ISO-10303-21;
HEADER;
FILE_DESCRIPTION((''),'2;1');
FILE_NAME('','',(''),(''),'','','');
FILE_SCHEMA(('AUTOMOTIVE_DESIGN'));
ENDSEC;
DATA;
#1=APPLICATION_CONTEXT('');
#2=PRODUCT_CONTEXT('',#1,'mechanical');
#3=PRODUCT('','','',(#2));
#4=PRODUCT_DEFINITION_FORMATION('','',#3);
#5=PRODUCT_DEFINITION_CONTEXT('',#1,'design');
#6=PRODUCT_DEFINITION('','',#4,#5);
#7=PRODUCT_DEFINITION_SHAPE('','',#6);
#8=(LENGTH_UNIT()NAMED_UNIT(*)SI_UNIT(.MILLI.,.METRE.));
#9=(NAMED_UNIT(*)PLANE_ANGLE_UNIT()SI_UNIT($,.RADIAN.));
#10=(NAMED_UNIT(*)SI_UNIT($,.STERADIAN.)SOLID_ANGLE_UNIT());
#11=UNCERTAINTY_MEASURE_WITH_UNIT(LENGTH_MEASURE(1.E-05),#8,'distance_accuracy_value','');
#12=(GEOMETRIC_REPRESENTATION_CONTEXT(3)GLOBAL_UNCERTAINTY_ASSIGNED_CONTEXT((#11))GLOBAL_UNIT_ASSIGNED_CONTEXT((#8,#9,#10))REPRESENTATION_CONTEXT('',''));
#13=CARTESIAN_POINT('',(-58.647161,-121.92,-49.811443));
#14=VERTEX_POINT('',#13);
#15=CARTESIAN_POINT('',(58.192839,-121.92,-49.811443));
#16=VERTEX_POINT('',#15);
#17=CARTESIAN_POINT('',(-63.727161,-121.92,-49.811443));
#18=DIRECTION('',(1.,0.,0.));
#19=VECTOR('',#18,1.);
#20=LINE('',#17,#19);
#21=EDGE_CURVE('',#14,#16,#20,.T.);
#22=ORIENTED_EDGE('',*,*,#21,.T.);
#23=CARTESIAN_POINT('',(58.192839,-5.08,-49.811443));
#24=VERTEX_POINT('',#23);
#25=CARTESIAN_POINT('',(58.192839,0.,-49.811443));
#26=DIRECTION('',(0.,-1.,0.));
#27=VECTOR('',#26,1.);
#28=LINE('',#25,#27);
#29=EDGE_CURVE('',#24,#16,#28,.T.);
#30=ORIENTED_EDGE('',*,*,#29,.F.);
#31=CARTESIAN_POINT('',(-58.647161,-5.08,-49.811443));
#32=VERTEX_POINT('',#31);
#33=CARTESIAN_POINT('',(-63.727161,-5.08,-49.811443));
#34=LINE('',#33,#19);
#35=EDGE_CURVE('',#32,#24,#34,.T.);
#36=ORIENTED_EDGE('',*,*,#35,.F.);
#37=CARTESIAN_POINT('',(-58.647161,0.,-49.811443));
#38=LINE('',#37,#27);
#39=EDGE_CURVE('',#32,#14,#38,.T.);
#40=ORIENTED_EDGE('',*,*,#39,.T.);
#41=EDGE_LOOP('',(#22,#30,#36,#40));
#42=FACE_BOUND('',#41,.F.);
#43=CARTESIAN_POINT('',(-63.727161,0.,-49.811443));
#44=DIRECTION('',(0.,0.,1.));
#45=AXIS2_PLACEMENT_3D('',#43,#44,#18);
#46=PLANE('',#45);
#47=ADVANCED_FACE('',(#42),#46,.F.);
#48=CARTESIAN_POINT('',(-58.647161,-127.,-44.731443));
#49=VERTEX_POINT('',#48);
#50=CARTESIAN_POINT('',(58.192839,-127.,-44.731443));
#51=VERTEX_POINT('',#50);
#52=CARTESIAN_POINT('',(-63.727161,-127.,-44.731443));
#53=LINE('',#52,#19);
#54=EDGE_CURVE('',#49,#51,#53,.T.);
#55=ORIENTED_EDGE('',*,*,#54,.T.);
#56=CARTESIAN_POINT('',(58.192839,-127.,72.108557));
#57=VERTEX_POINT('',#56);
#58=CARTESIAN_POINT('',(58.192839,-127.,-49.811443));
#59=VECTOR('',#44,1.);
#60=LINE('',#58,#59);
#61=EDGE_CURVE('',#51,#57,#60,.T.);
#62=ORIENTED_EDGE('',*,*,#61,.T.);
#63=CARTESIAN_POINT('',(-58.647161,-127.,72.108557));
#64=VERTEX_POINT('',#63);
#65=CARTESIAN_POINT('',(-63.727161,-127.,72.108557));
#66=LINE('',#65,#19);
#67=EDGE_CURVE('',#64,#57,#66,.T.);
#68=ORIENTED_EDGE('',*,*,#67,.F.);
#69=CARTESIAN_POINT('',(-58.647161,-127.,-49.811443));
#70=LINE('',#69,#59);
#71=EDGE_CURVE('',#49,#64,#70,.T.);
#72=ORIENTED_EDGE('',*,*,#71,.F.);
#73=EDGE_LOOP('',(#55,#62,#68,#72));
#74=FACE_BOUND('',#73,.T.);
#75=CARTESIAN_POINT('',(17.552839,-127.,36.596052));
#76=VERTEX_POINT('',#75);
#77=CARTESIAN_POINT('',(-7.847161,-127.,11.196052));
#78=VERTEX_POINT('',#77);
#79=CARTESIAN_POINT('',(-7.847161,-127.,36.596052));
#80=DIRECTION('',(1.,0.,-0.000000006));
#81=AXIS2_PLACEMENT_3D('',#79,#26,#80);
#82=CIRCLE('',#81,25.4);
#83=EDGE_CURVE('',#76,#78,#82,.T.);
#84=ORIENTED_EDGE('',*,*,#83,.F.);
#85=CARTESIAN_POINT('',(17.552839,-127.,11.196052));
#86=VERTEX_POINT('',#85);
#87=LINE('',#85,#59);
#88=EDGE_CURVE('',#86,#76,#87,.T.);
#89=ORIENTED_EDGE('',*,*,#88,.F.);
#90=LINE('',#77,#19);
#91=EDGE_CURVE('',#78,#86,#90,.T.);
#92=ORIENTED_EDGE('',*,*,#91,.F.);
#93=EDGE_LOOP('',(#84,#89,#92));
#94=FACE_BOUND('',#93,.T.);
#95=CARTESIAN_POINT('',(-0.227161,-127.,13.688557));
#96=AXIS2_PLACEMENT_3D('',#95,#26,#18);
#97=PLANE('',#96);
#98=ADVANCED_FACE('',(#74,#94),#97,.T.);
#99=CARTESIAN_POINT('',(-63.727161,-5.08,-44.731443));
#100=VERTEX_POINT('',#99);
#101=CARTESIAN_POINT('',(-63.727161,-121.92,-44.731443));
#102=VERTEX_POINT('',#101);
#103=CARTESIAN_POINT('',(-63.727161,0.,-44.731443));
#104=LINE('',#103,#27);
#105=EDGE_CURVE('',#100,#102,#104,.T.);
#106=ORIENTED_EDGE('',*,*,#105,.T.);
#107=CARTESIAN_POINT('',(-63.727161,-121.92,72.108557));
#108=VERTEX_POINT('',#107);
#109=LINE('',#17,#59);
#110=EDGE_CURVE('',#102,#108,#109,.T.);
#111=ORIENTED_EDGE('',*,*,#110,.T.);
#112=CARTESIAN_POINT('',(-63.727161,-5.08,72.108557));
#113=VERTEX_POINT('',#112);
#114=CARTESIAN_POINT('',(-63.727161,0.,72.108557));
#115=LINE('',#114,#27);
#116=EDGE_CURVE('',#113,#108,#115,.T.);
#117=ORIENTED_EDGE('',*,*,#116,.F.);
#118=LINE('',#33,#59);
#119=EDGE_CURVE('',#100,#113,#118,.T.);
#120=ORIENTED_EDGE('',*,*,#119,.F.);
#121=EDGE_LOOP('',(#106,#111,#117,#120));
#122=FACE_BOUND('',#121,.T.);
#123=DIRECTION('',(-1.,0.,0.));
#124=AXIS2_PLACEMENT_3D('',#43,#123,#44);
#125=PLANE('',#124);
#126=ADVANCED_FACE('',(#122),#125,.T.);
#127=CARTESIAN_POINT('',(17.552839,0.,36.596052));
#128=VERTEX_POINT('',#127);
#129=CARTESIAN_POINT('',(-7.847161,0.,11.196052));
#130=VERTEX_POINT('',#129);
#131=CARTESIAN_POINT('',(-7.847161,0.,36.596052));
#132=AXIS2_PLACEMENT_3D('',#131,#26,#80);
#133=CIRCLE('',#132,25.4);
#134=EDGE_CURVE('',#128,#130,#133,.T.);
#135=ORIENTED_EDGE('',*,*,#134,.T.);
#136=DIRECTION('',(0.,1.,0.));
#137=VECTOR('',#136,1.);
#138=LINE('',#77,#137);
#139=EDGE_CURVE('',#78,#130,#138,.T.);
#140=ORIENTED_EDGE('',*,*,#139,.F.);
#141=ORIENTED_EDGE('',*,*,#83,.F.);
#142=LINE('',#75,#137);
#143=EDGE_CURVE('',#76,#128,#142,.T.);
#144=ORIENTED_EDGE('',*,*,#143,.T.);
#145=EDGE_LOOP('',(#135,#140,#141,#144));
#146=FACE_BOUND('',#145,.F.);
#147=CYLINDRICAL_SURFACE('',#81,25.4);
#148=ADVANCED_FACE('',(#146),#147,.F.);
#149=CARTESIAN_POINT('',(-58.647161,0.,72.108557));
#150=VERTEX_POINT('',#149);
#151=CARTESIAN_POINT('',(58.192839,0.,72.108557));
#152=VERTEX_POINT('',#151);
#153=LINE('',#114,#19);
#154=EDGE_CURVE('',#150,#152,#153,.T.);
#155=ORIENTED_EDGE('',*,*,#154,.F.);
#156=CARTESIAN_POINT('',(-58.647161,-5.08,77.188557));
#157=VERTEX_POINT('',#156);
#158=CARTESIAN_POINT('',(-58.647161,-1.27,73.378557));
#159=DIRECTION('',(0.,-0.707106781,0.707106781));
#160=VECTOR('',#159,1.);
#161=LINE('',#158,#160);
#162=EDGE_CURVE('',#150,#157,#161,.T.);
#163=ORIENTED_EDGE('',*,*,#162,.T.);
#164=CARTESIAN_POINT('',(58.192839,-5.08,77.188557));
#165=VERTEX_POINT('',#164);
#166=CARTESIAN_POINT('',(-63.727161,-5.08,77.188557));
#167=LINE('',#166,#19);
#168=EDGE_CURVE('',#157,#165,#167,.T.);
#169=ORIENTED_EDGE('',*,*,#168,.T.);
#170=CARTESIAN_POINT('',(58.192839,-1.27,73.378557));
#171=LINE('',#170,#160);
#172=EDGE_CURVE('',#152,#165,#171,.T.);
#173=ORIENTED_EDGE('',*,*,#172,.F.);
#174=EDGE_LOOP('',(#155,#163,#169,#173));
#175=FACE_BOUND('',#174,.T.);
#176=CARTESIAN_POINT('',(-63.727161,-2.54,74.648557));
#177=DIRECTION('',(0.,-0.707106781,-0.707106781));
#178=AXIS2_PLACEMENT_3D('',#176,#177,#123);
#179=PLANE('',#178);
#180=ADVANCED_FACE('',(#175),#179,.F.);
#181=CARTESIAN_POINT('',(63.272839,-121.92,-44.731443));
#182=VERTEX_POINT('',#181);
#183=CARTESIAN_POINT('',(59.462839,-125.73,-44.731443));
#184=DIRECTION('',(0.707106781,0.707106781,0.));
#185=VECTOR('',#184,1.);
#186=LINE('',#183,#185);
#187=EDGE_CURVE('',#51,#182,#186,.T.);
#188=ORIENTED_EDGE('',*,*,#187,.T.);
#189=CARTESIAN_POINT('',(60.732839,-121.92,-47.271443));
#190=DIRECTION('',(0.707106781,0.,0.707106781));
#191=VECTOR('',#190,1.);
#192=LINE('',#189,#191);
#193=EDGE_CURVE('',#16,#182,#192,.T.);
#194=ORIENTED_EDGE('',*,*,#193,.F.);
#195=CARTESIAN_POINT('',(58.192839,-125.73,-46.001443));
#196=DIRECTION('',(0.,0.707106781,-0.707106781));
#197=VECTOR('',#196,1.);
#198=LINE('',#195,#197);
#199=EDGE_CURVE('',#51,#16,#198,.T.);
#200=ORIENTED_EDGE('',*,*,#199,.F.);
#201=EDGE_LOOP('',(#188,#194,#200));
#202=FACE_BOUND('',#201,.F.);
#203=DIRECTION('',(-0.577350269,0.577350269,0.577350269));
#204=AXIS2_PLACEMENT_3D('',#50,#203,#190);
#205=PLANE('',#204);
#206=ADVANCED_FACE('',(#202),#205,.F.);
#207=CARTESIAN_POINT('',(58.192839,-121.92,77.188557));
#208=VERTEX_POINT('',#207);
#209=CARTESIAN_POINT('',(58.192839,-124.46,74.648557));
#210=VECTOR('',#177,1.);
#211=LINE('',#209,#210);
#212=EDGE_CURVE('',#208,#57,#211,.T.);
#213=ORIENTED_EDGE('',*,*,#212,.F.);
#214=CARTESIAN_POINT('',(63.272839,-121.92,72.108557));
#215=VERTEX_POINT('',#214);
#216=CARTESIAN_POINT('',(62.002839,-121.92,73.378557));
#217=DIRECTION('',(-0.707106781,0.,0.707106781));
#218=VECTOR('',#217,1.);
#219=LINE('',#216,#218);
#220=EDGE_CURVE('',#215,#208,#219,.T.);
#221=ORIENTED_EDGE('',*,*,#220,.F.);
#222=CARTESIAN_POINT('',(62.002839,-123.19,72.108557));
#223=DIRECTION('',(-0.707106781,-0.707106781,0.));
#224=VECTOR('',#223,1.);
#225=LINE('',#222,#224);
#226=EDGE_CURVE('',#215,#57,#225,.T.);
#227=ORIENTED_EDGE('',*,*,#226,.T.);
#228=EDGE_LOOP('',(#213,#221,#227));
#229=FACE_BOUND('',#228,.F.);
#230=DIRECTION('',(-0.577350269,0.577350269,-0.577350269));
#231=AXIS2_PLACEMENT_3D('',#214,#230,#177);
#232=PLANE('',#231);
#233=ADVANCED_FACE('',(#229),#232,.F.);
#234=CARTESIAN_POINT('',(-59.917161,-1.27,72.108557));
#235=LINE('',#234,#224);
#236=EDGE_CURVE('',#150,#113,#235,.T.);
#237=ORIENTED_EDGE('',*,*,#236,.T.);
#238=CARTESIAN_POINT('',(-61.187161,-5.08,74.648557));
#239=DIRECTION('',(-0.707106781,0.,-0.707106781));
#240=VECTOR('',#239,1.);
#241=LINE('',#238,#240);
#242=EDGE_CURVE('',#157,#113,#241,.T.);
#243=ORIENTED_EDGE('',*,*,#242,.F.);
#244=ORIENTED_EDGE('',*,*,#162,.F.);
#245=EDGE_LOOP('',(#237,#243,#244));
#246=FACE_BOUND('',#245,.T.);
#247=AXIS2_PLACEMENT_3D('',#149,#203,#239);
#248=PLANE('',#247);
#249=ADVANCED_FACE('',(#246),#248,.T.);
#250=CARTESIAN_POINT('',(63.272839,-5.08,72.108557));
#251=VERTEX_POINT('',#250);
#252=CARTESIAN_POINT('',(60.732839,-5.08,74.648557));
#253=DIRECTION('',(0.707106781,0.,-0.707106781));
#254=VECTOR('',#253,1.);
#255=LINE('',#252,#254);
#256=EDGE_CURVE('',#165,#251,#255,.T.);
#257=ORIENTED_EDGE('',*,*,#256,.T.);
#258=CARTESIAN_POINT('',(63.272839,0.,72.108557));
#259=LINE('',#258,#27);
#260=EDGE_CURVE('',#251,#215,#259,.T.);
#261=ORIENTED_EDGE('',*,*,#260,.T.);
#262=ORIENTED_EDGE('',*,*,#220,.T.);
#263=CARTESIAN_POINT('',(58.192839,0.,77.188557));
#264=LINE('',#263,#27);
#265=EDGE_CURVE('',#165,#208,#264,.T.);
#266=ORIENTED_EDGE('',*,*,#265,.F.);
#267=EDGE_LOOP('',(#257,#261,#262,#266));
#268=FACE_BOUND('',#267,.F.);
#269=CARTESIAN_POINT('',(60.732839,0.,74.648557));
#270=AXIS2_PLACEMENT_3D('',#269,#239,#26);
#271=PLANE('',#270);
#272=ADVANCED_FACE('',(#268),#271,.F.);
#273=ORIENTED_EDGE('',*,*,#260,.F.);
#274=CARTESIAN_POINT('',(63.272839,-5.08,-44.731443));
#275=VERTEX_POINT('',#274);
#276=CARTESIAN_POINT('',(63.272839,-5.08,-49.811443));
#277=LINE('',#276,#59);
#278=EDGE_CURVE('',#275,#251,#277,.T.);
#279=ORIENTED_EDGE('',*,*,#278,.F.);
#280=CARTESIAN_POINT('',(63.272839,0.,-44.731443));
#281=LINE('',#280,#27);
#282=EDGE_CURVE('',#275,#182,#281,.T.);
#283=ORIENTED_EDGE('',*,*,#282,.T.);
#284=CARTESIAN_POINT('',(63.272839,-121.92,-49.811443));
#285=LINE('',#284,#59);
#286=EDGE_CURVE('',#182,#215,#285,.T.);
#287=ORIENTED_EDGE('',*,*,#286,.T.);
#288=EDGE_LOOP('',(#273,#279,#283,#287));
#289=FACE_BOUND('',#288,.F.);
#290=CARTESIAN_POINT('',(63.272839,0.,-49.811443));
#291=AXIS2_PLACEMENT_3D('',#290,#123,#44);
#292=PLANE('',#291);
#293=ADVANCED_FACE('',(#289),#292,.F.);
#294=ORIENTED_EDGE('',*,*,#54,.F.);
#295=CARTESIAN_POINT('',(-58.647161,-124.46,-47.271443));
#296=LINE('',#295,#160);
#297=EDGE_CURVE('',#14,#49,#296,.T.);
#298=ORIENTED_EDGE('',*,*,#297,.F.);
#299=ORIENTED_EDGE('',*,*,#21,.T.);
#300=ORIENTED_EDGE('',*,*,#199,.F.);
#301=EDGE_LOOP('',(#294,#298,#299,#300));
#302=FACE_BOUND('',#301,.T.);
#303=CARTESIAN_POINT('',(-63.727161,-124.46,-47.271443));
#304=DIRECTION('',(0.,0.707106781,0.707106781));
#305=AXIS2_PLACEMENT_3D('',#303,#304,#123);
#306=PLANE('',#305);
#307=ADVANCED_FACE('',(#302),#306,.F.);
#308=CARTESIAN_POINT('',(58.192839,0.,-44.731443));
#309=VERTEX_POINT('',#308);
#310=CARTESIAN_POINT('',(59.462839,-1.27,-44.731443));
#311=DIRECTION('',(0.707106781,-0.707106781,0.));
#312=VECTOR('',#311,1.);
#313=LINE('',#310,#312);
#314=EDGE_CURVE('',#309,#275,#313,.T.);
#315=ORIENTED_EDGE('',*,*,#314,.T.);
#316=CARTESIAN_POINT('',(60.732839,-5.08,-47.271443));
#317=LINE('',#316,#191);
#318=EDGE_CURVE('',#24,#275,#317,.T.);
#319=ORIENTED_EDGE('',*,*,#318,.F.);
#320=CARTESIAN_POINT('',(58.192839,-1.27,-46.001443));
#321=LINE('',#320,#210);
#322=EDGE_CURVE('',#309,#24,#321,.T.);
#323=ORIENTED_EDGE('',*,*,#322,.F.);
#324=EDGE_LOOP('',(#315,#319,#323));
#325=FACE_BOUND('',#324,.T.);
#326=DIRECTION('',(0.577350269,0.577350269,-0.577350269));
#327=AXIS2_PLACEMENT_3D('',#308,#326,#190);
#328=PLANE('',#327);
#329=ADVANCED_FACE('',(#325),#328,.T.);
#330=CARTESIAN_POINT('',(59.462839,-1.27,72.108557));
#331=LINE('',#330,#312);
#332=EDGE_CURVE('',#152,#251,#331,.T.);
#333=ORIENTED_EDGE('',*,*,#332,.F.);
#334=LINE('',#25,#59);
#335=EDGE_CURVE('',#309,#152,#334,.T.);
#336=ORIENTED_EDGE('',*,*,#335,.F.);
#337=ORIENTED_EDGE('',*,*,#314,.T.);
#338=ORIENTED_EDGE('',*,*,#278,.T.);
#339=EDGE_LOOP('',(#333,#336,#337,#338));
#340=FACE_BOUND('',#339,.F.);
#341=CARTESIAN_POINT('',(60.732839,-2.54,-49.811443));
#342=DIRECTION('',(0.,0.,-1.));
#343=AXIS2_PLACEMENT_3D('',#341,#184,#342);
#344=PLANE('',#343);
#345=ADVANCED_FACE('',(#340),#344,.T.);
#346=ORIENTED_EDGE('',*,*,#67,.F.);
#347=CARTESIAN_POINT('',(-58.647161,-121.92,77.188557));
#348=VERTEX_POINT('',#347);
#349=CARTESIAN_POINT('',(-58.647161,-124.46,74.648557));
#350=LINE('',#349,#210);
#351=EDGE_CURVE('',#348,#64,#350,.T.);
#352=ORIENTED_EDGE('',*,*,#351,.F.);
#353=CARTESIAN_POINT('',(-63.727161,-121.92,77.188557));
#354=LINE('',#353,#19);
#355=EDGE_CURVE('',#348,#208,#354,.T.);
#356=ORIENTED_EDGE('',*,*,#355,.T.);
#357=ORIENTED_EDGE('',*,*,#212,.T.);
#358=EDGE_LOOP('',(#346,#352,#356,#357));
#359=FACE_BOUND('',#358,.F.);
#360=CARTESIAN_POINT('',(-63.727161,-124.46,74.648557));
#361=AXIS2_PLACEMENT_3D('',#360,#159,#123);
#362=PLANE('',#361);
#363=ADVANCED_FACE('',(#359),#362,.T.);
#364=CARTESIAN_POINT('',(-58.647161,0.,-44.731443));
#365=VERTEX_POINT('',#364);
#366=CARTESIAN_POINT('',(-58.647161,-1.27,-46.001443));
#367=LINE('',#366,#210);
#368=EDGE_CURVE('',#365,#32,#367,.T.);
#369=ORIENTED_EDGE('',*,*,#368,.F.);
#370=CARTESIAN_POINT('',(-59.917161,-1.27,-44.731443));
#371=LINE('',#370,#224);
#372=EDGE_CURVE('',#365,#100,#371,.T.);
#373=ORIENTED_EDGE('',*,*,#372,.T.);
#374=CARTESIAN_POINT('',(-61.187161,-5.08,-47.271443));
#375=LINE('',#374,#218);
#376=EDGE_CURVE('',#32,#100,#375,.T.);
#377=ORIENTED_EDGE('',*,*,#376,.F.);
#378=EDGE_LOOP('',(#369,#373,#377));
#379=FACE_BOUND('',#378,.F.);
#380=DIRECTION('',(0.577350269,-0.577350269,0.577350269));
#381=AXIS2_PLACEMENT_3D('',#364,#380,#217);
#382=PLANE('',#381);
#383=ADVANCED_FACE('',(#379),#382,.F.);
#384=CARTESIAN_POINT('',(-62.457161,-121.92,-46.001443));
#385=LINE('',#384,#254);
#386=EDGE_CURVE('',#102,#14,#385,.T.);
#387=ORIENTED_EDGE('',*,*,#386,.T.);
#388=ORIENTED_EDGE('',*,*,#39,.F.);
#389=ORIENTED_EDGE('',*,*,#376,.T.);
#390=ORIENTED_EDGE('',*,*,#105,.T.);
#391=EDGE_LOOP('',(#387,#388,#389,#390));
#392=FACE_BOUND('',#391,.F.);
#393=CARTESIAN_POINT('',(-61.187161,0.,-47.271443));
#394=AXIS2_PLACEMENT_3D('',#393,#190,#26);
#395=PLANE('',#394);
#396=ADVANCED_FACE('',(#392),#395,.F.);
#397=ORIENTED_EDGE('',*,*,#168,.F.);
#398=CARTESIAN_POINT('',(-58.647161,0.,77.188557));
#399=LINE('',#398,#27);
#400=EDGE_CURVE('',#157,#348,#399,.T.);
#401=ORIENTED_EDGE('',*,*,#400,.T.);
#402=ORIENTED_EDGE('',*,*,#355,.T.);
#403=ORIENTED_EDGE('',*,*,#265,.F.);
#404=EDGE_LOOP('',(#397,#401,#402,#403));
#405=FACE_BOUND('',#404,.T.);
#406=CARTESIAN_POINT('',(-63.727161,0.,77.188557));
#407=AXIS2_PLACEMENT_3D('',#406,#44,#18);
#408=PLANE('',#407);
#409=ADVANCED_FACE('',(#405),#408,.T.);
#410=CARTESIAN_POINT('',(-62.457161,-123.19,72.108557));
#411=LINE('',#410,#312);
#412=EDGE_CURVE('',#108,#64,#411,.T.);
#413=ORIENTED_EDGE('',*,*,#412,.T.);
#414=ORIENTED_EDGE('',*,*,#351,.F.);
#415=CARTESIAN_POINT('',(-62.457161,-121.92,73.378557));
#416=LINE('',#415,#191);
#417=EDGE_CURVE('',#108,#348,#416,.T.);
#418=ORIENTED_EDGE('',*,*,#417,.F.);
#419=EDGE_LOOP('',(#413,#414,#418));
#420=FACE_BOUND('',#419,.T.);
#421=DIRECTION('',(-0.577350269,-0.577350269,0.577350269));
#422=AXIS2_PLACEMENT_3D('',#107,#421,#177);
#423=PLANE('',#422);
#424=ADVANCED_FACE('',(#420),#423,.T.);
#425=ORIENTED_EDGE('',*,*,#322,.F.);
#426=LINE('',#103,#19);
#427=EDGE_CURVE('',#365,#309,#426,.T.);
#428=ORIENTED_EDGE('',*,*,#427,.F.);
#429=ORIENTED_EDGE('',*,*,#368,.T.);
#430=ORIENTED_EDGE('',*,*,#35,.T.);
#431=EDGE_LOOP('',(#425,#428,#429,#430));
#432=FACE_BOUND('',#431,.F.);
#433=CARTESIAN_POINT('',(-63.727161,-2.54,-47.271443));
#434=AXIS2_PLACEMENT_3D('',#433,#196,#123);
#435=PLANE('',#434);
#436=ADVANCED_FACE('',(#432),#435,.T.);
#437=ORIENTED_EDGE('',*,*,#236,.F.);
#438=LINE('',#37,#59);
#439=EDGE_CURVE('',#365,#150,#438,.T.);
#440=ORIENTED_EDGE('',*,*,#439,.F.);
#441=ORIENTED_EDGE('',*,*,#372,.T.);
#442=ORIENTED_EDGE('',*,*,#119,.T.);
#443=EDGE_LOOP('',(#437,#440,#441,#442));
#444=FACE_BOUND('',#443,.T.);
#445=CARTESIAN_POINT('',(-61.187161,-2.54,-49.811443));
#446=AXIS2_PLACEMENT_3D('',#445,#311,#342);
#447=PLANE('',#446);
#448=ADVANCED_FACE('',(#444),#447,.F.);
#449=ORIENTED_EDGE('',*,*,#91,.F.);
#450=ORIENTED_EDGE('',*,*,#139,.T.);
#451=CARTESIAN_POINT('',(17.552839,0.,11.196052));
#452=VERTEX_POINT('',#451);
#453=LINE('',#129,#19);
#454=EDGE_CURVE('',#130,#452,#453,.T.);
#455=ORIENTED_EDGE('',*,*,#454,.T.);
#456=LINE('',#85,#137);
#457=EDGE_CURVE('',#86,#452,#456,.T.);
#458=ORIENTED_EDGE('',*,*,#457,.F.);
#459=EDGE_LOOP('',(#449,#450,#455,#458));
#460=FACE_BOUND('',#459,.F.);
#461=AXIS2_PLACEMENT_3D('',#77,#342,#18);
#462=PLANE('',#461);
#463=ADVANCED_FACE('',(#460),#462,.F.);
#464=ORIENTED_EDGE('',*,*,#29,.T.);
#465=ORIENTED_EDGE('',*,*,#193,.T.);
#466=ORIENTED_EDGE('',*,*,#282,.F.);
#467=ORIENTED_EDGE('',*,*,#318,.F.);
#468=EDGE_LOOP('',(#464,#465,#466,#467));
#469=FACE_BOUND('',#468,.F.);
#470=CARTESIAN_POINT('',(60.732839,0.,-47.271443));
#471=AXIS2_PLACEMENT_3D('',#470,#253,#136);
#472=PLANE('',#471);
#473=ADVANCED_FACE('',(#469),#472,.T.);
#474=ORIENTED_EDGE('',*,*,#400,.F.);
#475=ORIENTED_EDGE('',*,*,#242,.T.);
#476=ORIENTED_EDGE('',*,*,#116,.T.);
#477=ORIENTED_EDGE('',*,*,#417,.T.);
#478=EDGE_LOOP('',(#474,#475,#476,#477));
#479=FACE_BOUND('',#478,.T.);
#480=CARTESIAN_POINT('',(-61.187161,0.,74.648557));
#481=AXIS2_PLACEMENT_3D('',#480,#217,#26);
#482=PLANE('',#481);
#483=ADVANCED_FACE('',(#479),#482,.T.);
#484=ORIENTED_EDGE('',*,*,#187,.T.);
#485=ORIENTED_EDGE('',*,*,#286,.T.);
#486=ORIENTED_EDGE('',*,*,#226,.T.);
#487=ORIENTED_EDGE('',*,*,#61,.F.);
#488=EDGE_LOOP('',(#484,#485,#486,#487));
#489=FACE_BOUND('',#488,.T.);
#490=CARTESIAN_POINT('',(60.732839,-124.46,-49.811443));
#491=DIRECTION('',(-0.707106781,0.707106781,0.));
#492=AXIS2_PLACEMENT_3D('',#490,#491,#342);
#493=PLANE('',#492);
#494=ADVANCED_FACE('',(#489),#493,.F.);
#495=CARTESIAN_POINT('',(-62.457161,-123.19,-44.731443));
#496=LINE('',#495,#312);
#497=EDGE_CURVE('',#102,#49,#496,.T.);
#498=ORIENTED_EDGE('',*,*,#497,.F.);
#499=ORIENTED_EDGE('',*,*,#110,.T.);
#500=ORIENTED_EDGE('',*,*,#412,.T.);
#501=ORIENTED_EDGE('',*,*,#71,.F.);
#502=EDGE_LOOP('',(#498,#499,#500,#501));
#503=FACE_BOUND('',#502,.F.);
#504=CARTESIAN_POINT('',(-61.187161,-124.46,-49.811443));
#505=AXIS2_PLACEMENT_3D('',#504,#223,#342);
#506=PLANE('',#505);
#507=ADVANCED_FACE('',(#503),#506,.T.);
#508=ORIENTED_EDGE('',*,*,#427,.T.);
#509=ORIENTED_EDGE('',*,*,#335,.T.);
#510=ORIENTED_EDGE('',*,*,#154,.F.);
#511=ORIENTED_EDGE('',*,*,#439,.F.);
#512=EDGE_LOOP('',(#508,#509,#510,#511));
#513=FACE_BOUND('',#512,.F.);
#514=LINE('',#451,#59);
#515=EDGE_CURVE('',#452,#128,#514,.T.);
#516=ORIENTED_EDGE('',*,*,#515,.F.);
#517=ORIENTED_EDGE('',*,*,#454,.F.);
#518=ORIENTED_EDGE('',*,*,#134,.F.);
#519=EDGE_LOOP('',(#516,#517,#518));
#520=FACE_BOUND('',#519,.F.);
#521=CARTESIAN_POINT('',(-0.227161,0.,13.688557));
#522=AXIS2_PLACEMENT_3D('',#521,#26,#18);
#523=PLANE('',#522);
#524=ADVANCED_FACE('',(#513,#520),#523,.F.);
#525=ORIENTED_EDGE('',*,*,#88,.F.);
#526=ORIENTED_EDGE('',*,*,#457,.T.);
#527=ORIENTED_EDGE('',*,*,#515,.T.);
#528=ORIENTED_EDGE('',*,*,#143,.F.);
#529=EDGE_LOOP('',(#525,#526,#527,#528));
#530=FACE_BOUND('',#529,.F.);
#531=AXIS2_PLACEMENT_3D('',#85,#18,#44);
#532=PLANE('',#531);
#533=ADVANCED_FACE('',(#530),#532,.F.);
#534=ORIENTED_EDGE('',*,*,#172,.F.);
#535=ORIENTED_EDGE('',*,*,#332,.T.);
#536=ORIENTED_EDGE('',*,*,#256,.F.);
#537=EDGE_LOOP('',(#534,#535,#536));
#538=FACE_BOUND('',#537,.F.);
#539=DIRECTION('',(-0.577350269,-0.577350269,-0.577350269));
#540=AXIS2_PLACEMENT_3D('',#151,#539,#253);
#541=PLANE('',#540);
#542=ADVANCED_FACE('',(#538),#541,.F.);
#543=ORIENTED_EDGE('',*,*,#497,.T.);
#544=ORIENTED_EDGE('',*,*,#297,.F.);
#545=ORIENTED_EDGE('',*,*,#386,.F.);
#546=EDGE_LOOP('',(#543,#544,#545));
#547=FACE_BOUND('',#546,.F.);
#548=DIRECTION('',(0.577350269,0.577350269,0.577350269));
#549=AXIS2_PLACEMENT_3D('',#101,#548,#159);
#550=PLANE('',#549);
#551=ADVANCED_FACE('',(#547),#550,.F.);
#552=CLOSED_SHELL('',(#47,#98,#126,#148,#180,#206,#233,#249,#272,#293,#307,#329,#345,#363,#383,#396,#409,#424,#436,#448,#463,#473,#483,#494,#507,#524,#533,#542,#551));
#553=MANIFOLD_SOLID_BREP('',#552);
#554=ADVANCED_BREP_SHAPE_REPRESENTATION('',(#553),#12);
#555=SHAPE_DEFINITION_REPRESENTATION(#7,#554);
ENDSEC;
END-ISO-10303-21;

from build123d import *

# Parameters (mm, degrees)
F0_W     = 127
F0_H     = 127
F1_DEPTH = 127
F2_SIZE  = 5.08
F4_DEPTH = 127


with BuildPart() as f1:
    # F0 (on Front) → F1 (new body)
    with BuildSketch(Plane.XZ):
        with Locations((-0.227161, 13.688557)):
            Rectangle(F0_W, F0_H)
    extrude(amount=F1_DEPTH)

    # F2
    f2_edges = [f1.edges().sort_by_distance(p)[0] for p in [
        (-0.227161, -127, 77.188557),
        (63.272839, -63.5, 77.188557),
        (63.272839, -63.5, -49.811443),
        (-0.227161, -127, -49.811443),
        (-63.727161, -63.5, -49.811443),
        (-0.227161, 0, -49.811443),
        (-63.727161, -63.5, 77.188557),
        (-0.227161, 0, 77.188557),
        (-63.727161, 0, 13.688557),
        (63.272839, 0, 13.688557),
        (-63.727161, -127, 13.688557),
        (63.272839, -127, 13.688557),
    ]]
    chamfer(f2_edges, length=F2_SIZE)

    # F3 (on face) → F4 (cut)
    with BuildSketch(Plane.XZ.offset(127)):
        with BuildLine():
            Line((17.552839, 11.196052), (17.552839, 36.596052))
            ThreePointArc((17.552839, 36.596052), (-25.807673, 54.556565), (-7.847161, 11.196052))
            Line((-7.847161, 11.196052), (17.552839, 11.196052))
        make_face()
    extrude(amount=-F4_DEPTH, mode=Mode.SUBTRACT)


solid = f1.part
